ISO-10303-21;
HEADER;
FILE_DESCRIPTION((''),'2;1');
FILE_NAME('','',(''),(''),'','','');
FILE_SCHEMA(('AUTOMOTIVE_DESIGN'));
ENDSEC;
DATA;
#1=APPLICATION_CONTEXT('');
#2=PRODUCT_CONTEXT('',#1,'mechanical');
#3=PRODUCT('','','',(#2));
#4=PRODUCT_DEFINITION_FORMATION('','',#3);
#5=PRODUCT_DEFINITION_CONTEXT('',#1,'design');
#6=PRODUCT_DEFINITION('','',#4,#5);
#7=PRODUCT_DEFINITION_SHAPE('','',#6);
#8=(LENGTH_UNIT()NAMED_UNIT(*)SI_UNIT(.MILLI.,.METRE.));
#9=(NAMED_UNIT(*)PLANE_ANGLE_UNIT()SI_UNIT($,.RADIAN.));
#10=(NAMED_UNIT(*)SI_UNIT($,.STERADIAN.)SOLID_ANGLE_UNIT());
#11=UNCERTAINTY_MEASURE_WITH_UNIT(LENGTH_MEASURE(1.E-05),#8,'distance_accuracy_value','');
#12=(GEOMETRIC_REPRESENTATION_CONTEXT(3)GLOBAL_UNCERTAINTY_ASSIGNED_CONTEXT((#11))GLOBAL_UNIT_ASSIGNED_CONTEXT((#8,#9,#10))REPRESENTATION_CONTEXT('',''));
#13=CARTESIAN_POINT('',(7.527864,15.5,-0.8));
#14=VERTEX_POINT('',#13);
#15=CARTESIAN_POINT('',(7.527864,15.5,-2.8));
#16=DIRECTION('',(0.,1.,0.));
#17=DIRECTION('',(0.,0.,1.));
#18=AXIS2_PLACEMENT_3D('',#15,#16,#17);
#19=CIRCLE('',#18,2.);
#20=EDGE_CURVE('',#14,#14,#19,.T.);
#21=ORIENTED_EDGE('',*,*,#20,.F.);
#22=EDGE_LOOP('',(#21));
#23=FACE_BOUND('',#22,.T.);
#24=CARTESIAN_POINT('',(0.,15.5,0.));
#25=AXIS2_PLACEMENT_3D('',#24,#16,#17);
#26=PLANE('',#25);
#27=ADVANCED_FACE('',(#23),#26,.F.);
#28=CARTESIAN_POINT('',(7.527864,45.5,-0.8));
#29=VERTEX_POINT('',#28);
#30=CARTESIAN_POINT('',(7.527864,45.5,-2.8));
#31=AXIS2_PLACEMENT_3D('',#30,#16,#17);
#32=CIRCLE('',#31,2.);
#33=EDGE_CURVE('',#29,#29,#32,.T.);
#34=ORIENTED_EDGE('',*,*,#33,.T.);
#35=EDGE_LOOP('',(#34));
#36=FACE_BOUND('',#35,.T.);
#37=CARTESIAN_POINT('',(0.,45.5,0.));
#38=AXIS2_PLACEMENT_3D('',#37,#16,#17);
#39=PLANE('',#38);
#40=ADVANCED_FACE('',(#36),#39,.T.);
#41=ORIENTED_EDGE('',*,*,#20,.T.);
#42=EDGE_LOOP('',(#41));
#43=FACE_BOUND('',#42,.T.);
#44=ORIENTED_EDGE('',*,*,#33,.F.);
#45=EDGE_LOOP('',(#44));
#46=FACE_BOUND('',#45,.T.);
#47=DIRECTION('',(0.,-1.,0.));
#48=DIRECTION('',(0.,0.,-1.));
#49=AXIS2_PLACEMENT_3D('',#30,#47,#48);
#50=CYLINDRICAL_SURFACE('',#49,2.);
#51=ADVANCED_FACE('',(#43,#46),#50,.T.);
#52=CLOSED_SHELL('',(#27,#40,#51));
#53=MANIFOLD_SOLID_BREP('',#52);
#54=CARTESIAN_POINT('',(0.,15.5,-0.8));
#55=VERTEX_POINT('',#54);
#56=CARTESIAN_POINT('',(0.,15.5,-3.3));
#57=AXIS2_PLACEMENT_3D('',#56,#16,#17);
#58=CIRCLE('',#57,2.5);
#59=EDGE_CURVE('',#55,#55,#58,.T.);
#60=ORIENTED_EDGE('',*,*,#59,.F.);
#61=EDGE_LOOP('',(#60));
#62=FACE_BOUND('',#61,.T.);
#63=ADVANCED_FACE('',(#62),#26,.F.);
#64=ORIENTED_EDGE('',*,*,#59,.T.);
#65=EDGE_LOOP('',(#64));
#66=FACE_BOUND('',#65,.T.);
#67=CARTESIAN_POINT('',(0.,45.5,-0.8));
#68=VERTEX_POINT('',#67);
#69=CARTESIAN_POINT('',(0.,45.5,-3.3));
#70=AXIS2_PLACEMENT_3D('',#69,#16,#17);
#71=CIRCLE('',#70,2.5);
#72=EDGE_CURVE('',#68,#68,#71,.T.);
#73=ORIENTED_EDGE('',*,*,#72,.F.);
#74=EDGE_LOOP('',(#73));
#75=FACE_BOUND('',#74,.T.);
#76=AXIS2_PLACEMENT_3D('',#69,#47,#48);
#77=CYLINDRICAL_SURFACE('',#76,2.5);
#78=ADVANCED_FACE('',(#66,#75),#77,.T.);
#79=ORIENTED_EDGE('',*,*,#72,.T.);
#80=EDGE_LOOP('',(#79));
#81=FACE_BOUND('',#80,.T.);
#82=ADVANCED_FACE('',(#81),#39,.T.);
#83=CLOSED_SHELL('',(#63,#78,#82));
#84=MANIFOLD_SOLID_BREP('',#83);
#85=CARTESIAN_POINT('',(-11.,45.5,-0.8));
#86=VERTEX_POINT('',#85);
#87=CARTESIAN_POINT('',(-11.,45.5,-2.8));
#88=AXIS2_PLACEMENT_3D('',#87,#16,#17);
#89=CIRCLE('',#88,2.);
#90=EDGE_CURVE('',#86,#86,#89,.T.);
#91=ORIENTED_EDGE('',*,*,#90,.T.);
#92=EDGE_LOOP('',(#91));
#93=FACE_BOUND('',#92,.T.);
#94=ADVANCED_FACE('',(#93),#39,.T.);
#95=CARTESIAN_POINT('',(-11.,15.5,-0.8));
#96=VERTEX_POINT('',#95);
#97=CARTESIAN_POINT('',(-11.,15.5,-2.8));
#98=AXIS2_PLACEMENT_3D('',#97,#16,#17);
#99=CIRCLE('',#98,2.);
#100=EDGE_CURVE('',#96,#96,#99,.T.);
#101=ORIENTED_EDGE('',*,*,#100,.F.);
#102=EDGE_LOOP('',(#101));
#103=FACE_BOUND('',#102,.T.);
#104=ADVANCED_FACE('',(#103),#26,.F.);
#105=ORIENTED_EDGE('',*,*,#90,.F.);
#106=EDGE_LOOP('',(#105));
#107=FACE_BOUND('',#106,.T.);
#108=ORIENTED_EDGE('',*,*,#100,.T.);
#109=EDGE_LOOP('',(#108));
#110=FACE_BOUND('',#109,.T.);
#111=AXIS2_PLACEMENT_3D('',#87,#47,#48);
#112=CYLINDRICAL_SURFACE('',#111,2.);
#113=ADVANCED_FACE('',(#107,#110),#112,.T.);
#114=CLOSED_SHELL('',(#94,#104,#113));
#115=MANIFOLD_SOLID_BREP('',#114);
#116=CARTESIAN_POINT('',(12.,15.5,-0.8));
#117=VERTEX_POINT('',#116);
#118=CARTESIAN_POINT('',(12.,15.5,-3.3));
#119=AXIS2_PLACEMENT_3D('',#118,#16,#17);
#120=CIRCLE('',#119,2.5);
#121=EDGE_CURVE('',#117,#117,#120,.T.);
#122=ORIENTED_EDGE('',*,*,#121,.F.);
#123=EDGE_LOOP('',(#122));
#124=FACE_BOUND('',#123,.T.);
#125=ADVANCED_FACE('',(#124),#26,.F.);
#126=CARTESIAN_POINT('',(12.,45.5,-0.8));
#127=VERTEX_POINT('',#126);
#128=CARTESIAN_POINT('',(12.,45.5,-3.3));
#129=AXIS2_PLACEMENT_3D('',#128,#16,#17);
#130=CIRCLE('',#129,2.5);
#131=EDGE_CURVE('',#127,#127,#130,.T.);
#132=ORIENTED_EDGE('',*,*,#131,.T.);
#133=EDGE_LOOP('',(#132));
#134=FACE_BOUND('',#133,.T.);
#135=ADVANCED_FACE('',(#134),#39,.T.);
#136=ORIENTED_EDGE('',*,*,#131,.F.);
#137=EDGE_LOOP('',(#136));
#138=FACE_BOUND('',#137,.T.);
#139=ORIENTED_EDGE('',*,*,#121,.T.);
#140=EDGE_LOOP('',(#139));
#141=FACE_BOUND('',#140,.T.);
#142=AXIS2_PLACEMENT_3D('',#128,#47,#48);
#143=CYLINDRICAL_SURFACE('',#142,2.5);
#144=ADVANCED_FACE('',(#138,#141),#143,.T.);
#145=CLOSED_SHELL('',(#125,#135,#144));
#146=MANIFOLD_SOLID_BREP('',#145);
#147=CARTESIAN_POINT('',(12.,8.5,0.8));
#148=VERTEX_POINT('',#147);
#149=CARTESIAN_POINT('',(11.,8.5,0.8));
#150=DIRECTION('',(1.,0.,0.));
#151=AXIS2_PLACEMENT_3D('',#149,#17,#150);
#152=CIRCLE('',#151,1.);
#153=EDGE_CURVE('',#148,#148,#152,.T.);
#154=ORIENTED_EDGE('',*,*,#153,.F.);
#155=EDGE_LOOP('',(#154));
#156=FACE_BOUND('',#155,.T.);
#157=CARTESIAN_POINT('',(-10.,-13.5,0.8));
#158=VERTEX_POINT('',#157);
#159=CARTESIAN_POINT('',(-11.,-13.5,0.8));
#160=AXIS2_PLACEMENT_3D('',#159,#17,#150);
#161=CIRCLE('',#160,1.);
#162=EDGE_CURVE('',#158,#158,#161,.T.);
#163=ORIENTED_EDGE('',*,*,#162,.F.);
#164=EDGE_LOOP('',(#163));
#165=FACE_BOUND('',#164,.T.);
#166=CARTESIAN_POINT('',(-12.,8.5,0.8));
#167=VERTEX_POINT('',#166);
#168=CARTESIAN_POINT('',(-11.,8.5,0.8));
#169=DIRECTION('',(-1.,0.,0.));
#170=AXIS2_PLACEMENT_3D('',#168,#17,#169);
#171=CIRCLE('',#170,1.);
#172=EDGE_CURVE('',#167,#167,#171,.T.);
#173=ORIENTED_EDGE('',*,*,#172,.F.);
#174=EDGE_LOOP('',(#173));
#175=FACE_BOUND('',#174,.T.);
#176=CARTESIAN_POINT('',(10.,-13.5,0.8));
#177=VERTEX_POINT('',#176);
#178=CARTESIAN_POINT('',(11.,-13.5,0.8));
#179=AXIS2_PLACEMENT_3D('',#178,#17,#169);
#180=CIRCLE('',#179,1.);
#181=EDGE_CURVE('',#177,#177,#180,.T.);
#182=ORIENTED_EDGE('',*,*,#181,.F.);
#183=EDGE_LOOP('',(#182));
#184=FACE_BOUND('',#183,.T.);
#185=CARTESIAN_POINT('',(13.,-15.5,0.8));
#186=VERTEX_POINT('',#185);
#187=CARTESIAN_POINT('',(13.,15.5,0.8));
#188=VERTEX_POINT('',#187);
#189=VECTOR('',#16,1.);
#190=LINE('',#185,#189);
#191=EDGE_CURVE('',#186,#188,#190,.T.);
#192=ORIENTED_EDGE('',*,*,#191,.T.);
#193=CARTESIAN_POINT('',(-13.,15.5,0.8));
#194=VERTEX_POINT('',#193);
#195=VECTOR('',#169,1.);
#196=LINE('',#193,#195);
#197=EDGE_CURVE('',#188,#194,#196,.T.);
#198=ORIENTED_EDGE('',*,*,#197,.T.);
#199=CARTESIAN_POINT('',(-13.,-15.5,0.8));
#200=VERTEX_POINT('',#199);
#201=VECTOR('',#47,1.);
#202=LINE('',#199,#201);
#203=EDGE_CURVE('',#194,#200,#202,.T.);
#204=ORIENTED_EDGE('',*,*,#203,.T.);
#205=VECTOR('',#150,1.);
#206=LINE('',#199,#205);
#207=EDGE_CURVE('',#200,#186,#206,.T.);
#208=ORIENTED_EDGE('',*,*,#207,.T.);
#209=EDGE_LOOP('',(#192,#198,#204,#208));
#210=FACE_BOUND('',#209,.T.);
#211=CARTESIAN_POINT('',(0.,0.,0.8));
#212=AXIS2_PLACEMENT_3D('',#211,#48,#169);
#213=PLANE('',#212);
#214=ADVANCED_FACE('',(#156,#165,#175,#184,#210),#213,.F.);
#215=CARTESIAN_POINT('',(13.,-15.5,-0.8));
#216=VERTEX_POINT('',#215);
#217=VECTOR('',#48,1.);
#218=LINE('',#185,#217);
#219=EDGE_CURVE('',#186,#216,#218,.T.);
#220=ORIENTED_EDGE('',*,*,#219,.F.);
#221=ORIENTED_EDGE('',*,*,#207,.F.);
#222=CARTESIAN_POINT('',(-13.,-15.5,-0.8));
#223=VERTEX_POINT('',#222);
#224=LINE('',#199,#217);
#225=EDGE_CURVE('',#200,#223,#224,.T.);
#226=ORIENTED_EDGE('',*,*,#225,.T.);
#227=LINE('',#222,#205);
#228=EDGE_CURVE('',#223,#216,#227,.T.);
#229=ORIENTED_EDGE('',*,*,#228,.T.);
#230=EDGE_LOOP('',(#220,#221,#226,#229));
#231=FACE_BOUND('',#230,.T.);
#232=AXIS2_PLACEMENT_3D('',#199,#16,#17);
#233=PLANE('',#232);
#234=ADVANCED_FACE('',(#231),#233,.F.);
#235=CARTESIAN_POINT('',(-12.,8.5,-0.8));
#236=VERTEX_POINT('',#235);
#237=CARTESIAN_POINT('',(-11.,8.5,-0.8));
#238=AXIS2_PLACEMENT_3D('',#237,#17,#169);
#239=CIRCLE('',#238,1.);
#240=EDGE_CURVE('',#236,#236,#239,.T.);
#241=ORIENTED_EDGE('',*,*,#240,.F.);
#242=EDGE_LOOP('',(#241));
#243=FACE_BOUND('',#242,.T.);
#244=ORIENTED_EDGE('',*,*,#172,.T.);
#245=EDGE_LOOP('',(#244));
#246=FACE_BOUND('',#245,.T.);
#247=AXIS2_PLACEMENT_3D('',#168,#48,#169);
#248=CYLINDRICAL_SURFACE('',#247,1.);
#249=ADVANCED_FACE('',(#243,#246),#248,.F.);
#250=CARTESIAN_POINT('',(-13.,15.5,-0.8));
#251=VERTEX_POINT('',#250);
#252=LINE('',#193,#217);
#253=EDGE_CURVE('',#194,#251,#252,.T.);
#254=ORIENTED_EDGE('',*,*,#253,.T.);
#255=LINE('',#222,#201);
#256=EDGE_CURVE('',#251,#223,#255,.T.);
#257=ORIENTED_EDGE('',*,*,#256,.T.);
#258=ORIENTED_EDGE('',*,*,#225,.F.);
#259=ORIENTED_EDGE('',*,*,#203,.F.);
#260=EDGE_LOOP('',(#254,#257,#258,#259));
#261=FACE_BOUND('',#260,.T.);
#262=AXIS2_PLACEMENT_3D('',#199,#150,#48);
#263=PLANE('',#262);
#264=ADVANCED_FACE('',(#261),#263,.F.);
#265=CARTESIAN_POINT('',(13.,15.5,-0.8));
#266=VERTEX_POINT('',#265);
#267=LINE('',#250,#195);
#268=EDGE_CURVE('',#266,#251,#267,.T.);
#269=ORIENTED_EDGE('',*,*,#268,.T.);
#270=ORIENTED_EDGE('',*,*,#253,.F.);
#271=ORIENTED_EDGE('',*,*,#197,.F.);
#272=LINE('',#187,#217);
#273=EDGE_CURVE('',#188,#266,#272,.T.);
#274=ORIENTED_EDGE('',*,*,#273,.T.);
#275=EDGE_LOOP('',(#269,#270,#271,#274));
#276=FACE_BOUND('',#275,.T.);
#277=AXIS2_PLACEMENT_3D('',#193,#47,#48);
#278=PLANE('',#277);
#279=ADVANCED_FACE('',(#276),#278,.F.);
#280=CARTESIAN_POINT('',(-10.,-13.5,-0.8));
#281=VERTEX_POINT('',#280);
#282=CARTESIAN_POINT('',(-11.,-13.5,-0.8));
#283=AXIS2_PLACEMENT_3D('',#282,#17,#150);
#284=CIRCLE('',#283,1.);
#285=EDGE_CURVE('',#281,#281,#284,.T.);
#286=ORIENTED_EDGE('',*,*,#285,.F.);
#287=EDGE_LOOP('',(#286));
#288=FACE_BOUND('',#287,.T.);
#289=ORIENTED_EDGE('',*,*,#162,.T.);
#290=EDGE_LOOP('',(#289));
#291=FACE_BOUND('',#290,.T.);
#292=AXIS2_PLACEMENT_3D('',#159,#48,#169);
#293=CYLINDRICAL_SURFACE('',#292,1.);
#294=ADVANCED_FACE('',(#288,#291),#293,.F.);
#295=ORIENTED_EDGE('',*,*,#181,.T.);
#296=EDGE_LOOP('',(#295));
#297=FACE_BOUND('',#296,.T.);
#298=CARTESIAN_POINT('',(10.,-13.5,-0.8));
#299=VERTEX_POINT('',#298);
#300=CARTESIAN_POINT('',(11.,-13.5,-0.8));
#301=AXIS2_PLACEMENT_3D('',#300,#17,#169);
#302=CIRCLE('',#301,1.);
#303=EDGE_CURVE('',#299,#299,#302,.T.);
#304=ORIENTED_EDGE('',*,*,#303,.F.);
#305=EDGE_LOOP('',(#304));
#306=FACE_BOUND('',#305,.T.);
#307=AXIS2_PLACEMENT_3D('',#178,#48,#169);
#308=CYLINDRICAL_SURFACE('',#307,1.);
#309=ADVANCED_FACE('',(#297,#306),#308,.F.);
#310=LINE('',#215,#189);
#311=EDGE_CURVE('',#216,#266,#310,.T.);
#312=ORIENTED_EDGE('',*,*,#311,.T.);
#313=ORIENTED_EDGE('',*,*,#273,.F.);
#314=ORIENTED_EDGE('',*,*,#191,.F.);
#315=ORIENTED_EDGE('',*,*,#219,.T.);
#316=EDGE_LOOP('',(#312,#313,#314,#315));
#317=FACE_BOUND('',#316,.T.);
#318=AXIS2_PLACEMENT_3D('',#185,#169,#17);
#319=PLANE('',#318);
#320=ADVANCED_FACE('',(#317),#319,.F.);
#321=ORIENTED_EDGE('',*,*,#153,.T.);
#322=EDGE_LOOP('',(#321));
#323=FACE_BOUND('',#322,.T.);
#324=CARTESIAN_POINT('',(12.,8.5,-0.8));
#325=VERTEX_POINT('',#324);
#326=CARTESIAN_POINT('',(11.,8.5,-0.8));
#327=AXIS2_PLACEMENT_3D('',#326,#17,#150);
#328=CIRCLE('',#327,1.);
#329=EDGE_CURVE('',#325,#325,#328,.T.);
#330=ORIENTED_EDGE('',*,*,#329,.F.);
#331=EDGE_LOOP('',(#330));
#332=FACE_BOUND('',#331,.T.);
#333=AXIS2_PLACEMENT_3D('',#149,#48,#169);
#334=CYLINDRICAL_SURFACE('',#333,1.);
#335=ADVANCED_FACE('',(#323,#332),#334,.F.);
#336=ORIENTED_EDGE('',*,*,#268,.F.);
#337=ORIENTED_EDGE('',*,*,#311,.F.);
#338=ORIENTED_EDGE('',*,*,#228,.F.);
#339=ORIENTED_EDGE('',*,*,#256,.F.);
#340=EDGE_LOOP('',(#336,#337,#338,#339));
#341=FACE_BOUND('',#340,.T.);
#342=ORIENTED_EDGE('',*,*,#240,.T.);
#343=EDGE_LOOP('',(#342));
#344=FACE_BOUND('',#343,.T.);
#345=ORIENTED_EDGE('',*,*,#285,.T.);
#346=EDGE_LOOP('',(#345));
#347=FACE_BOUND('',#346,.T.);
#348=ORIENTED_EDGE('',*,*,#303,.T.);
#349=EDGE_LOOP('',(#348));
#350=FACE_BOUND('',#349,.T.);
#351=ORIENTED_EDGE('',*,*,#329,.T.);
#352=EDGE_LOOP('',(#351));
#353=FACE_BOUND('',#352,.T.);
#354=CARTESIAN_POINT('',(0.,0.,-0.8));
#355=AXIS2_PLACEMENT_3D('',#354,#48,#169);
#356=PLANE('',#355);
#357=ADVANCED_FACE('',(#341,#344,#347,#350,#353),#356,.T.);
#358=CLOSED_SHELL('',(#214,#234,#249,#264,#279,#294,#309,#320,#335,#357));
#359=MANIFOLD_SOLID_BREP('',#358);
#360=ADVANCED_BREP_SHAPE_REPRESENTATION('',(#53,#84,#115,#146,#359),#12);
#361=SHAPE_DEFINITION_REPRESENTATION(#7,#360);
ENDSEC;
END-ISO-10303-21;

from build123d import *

# Parameters (mm, degrees)
SKETCH_1_W        = 26
SKETCH_1_H        = 31
SKETCH_1_R        = 1
EXTRUDE_1_DEPTH   = 0.8
SKETCH_3_R        = 2
EXTRUDE_2_DEPTH   = 30
SKETCH_3_R_2      = 2.5
EXTRUDE_2_2_DEPTH = 30
EXTRUDE_2_3_DEPTH = 30
EXTRUDE_2_4_DEPTH = 30


with BuildPart() as part:
    # Эскиз1 → Бобышка-Вытянуть1 (new body, symmetric)
    with BuildSketch(Plane.XY):
        Rectangle(SKETCH_1_W, SKETCH_1_H)
        with Locations((-11, -13.5)):
            Circle(SKETCH_1_R, mode=Mode.SUBTRACT)
        with Locations((11, -13.5)):
            Circle(SKETCH_1_R, mode=Mode.SUBTRACT)
        with Locations((11, 8.5)):
            Circle(SKETCH_1_R, mode=Mode.SUBTRACT)
        with Locations((-11, 8.5)):
            Circle(SKETCH_1_R, mode=Mode.SUBTRACT)
    extrude(amount=EXTRUDE_1_DEPTH, both=True)


with BuildPart() as body_2:
    # Эскиз3 → Бобышка-Вытянуть2 (new body)
    with BuildSketch(Plane(origin=(0, 15.5, 0), x_dir=(1, 0, 0), z_dir=(0, 1, 0))):
        with Locations((-11, 2.8)):
            Circle(SKETCH_3_R)
    extrude(amount=EXTRUDE_2_DEPTH)


with BuildPart() as body_3:
    # Эскиз3 → Extrude 2 2 (new body)
    with BuildSketch(Plane(origin=(0, 15.5, 0), x_dir=(1, 0, 0), z_dir=(0, 1, 0))):
        with Locations((0, 3.3)):
            Circle(SKETCH_3_R_2)
    extrude(amount=EXTRUDE_2_2_DEPTH)


with BuildPart() as body_4:
    # Эскиз3 → Extrude 2 3 (new body)
    with BuildSketch(Plane(origin=(0, 15.5, 0), x_dir=(1, 0, 0), z_dir=(0, 1, 0))):
        with Locations((7.527864045, 2.8)):
            Circle(SKETCH_3_R)
    extrude(amount=EXTRUDE_2_3_DEPTH)


with BuildPart() as body_5:
    # Эскиз3 → Extrude 2 4 (new body)
    with BuildSketch(Plane(origin=(0, 15.5, 0), x_dir=(1, 0, 0), z_dir=(0, 1, 0))):
        with Locations((12, 3.3)):
            Circle(SKETCH_3_R_2)
    extrude(amount=EXTRUDE_2_4_DEPTH)


solid = Compound([part.part, body_2.part, body_3.part, body_4.part, body_5.part])
